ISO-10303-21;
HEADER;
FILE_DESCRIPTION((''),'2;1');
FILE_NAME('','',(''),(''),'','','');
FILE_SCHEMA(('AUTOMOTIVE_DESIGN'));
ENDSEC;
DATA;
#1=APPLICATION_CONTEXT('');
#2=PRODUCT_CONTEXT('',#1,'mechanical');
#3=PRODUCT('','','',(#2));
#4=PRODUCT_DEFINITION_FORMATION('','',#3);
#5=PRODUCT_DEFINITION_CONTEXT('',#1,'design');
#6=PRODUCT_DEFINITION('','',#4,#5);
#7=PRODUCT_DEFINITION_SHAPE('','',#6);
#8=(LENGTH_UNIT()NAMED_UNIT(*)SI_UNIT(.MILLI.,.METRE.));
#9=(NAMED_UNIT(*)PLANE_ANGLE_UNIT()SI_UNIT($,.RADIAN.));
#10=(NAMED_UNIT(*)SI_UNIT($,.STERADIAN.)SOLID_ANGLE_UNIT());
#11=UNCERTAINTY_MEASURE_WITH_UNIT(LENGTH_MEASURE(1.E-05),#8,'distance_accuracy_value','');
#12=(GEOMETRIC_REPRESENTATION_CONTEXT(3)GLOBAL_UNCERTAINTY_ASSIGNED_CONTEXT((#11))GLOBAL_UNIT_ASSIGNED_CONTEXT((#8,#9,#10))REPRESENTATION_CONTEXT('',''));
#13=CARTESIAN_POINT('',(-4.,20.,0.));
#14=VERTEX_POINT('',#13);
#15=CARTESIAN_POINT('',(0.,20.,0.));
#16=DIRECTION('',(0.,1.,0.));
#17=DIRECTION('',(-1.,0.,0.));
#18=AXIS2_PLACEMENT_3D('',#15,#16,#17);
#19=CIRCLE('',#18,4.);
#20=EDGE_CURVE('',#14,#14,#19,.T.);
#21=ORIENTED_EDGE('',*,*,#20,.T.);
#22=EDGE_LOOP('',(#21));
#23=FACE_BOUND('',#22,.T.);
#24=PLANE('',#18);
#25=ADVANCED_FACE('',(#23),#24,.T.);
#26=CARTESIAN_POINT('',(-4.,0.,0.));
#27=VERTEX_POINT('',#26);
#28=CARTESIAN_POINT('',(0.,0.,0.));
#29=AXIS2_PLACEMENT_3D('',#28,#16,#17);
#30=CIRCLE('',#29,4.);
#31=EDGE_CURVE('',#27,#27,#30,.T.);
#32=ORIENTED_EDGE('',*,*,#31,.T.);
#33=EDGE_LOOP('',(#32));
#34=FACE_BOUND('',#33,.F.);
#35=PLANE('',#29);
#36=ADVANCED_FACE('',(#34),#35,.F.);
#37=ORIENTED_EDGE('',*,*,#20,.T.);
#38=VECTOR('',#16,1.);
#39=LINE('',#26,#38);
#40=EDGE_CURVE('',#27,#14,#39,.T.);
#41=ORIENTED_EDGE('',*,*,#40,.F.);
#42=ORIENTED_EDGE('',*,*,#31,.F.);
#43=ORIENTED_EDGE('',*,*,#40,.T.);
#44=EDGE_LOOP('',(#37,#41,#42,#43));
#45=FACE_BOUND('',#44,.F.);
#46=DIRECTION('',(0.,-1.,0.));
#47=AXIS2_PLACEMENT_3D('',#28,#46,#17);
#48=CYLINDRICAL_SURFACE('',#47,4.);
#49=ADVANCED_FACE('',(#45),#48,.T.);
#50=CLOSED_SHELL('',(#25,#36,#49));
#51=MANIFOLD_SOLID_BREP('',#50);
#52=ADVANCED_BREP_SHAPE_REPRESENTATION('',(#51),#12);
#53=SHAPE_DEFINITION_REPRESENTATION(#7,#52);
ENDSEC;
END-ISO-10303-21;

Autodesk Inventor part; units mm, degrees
ref_plane "YZ Plane" through (0, 0, 0) normal (1, 0, 0) x (0, 1, 0)
ref_plane "XZ Plane" through (0, 0, 0) normal (0, 1, 0) x (-1, 0, 0)
ref_plane "XY Plane" through (0, 0, 0) normal (0, 0, 1) x (1, 0, 0)
sketch "Boceto1" plane through (0, 0, 0) normal (0, 1, 0) x (-1, 0, 0)
  circle A0 centre (0, 0) radius 4
  dimension "d0" = 8
extrude "Extrusión1" add sketch "Boceto1" along normal blind 20
properties part number "pasadores brazo"
